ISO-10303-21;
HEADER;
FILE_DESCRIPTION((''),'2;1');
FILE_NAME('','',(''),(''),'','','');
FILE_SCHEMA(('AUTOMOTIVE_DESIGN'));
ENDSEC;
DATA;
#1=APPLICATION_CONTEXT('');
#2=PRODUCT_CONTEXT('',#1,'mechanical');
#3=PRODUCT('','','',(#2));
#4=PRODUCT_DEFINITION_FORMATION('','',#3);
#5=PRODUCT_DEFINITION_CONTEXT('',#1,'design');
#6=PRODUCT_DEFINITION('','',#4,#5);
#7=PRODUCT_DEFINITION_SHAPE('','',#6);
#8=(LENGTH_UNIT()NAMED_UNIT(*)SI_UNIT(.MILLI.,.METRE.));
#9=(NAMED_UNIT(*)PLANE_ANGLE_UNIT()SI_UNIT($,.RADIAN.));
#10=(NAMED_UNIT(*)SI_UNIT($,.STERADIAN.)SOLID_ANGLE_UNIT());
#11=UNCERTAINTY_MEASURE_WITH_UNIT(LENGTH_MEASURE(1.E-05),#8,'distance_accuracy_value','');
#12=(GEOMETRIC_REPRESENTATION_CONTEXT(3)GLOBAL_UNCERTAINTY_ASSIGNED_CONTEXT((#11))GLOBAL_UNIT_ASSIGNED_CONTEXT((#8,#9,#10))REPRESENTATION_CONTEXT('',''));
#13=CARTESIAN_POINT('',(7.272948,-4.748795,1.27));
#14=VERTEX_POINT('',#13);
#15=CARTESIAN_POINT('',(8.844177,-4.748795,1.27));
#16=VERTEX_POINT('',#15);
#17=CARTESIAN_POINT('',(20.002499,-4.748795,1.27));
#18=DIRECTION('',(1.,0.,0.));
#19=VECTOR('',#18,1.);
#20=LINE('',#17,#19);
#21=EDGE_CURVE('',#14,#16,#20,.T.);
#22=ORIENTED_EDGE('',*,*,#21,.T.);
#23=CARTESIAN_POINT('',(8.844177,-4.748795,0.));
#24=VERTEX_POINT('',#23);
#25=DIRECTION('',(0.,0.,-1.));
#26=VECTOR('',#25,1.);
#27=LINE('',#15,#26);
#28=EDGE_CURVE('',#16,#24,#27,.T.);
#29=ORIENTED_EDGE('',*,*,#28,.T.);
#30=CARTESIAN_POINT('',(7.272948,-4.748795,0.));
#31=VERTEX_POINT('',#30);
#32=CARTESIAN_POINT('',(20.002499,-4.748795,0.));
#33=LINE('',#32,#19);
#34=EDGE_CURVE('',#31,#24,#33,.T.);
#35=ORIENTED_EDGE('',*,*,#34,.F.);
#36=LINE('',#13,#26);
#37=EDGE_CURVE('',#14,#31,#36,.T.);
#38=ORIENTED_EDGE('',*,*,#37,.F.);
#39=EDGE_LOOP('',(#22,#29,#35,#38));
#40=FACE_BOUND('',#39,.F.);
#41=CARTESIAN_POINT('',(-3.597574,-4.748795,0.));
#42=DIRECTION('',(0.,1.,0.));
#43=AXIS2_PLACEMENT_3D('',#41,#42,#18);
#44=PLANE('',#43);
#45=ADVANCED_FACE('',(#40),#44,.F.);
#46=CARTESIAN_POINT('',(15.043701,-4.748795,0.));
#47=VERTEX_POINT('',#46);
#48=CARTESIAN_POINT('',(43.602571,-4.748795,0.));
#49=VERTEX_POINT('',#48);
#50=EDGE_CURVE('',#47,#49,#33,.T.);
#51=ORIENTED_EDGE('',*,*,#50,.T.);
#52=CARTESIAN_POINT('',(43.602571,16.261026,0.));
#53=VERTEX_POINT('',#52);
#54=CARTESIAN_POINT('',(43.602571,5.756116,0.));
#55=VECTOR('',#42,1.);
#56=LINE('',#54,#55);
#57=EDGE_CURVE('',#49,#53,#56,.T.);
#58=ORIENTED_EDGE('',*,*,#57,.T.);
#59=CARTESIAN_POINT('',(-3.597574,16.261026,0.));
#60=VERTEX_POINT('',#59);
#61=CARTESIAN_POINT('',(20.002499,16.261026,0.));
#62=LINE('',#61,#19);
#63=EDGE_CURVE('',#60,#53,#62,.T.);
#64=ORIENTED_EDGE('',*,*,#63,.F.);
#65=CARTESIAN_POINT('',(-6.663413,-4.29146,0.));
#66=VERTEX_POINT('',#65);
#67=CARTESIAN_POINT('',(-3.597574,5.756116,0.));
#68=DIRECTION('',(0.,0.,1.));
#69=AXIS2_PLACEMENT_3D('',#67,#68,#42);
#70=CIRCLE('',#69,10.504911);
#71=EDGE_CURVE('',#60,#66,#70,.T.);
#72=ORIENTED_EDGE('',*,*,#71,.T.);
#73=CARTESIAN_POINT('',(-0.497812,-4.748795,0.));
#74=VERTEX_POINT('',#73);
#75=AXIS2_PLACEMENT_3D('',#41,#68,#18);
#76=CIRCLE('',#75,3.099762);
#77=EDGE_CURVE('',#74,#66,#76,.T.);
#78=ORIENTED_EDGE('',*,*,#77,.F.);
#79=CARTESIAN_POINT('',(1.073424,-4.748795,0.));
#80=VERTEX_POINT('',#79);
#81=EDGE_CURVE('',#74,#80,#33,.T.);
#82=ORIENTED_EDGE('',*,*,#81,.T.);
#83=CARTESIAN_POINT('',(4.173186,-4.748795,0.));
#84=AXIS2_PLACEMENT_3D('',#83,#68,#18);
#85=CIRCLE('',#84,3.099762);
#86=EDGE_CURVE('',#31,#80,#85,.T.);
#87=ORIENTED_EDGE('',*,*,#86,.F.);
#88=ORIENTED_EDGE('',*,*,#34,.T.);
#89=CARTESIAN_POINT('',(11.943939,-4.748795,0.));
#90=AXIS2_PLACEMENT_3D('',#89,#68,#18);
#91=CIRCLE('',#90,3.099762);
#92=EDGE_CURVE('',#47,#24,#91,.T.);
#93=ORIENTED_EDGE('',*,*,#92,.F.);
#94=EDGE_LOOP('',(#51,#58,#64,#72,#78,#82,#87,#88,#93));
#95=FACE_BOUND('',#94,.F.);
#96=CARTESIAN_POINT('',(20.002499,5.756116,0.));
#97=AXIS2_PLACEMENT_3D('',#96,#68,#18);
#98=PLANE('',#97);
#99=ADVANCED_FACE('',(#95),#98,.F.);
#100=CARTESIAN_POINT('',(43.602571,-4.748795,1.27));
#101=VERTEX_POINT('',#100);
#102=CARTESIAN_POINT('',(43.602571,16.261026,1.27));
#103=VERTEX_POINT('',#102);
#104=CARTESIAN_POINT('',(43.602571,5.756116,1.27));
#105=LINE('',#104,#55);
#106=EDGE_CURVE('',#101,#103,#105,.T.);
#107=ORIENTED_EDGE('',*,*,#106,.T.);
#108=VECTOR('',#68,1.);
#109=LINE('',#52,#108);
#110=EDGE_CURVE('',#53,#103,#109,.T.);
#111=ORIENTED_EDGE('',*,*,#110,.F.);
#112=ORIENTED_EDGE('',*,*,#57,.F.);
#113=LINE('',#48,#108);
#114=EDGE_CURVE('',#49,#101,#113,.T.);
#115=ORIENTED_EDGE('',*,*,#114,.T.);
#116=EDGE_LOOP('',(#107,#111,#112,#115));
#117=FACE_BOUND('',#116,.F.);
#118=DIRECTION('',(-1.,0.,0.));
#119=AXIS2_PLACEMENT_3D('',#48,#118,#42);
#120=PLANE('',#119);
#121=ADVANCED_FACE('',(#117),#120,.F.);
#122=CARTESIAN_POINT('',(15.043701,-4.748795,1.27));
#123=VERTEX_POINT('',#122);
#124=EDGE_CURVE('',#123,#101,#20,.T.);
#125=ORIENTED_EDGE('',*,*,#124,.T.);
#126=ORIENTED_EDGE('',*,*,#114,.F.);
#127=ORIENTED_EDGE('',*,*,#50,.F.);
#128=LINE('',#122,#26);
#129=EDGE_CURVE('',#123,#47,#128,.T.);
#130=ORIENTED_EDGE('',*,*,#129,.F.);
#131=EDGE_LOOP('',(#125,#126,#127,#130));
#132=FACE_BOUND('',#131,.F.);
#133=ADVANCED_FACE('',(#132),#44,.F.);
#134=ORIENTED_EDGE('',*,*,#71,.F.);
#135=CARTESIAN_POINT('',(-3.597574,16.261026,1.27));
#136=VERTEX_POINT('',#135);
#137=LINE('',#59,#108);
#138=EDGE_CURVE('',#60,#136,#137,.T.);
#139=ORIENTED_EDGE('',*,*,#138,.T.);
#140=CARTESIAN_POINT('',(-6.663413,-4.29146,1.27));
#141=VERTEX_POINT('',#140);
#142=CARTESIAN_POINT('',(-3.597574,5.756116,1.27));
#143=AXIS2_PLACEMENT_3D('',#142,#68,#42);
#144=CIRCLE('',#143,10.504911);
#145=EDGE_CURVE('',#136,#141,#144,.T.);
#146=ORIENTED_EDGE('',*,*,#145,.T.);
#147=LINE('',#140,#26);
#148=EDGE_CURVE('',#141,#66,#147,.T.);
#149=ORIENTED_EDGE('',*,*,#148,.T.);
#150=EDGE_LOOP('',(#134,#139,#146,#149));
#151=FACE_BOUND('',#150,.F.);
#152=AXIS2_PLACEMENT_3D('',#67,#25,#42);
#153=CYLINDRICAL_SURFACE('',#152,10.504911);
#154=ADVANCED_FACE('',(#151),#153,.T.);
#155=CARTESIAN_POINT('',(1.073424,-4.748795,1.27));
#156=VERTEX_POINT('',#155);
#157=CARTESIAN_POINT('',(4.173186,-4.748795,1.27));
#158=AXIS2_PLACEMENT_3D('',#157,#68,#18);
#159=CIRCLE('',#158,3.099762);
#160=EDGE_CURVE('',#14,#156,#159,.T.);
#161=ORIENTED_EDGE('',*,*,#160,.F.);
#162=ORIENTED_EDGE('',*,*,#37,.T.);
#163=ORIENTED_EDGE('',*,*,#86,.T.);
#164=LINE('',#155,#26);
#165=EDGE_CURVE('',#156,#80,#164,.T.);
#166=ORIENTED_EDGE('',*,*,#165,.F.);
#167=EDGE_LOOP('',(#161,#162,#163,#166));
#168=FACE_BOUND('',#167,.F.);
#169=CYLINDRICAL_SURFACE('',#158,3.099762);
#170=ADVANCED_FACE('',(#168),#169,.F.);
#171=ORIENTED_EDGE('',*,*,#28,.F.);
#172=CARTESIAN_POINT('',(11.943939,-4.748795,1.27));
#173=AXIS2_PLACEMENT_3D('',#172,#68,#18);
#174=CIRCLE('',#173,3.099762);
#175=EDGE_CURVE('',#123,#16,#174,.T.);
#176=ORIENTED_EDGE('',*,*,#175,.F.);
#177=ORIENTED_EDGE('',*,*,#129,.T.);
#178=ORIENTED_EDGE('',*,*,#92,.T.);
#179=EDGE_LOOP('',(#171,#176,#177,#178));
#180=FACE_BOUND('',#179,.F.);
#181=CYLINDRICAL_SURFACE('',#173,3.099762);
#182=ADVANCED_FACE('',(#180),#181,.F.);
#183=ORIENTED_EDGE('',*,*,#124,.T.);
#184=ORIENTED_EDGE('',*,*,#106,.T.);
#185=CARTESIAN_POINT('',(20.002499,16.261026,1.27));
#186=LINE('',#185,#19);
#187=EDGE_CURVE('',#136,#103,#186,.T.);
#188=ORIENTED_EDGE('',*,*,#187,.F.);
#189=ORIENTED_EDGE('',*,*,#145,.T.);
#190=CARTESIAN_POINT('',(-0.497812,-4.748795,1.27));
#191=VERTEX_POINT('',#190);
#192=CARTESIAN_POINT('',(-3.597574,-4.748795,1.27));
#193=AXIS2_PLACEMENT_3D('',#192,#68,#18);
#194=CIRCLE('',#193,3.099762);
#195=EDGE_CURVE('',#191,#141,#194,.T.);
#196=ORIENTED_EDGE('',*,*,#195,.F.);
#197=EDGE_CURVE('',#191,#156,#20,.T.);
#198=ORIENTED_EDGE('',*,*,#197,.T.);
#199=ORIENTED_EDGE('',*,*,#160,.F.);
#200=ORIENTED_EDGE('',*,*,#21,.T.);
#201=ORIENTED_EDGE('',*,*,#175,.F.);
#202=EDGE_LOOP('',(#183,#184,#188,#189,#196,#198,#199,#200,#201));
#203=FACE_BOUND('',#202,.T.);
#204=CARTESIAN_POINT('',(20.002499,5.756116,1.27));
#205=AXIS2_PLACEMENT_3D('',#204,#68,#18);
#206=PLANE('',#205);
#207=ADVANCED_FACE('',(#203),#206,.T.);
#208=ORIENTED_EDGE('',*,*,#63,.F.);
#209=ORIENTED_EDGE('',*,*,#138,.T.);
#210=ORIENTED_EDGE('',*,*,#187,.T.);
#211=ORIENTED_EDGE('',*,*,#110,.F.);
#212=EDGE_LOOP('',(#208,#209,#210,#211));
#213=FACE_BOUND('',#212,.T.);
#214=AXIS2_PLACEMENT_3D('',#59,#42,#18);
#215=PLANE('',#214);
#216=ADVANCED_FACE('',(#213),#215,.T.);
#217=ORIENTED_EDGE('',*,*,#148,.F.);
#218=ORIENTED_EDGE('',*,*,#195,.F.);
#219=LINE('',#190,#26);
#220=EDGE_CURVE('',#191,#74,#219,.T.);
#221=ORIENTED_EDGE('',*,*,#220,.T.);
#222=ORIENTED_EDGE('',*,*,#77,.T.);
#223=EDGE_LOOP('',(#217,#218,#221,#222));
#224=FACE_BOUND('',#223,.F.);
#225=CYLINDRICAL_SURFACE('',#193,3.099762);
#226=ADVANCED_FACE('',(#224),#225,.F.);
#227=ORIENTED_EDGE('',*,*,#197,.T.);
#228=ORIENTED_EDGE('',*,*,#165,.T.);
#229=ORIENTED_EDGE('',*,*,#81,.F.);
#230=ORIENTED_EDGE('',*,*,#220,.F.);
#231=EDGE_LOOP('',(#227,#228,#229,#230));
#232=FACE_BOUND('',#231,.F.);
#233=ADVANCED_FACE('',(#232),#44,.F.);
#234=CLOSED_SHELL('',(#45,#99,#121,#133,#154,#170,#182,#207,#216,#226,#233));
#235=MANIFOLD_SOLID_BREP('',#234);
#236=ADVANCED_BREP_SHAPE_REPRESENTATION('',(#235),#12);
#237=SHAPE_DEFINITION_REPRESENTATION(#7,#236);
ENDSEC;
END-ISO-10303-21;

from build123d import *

# Parameters (mm, degrees)
F0_W     = 47.2001447342
F0_H     = 21.0098214447
F1_DEPTH = 1.27
F3_DEPTH = 25.4


with BuildPart() as f1:
    # F0 (on Top) → F1 (new body)
    with BuildSketch(Plane.XY):
        with Locations((20.0024985243, 5.7561155409)):
            Rectangle(F0_W, F0_H)
        with BuildLine():
            Line((-3.5975738429, -4.7487951815), (-3.5975738429, 16.2610262632))
            ThreePointArc((-3.5975738429, 16.2610262632), (-14.1024845652, 5.7561155409), (-3.5975738429, -4.7487951815))
        make_face()
    extrude(amount=F1_DEPTH)

    # F2 (on face) → F3 (cut)
    with BuildSketch(Plane.XY.offset(1.27)):
        with BuildLine():
            Line((7.2729477569, -4.7487951815), (1.0734235958, -4.7487951815))
            ThreePointArc((1.0734235958, -4.7487951815), (4.1731856763, -7.8485572621), (7.2729477569, -4.7487951815))
        make_face()
        with BuildLine():
            ThreePointArc((7.2729477569, -4.7487951815), (4.1731856763, -1.6490331009), (1.0734235958, -4.7487951815))
            Line((1.0734235958, -4.7487951815), (7.2729477569, -4.7487951815))
        make_face()
        with BuildLine():
            Line((-3.5975738429, -4.7487951815), (-0.4978117623, -4.7487951815))
            ThreePointArc((-0.4978117623, -4.7487951815), (-3.3682781868, -1.6575254653), (-6.6634129987, -4.2914602641))
            ThreePointArc((-6.6634129987, -4.2914602641), (-5.1474548831, -4.6338323919), (-3.5975738429, -4.7487951815))
        make_face()
        with BuildLine():
            ThreePointArc((15.0437012225, -4.7487951815), (11.9439391419, -1.6490331009), (8.8441770613, -4.7487951815))
            Line((8.8441770613, -4.7487951815), (15.0437012225, -4.7487951815))
        make_face()
    extrude(amount=-F3_DEPTH, mode=Mode.SUBTRACT)


solid = f1.part
